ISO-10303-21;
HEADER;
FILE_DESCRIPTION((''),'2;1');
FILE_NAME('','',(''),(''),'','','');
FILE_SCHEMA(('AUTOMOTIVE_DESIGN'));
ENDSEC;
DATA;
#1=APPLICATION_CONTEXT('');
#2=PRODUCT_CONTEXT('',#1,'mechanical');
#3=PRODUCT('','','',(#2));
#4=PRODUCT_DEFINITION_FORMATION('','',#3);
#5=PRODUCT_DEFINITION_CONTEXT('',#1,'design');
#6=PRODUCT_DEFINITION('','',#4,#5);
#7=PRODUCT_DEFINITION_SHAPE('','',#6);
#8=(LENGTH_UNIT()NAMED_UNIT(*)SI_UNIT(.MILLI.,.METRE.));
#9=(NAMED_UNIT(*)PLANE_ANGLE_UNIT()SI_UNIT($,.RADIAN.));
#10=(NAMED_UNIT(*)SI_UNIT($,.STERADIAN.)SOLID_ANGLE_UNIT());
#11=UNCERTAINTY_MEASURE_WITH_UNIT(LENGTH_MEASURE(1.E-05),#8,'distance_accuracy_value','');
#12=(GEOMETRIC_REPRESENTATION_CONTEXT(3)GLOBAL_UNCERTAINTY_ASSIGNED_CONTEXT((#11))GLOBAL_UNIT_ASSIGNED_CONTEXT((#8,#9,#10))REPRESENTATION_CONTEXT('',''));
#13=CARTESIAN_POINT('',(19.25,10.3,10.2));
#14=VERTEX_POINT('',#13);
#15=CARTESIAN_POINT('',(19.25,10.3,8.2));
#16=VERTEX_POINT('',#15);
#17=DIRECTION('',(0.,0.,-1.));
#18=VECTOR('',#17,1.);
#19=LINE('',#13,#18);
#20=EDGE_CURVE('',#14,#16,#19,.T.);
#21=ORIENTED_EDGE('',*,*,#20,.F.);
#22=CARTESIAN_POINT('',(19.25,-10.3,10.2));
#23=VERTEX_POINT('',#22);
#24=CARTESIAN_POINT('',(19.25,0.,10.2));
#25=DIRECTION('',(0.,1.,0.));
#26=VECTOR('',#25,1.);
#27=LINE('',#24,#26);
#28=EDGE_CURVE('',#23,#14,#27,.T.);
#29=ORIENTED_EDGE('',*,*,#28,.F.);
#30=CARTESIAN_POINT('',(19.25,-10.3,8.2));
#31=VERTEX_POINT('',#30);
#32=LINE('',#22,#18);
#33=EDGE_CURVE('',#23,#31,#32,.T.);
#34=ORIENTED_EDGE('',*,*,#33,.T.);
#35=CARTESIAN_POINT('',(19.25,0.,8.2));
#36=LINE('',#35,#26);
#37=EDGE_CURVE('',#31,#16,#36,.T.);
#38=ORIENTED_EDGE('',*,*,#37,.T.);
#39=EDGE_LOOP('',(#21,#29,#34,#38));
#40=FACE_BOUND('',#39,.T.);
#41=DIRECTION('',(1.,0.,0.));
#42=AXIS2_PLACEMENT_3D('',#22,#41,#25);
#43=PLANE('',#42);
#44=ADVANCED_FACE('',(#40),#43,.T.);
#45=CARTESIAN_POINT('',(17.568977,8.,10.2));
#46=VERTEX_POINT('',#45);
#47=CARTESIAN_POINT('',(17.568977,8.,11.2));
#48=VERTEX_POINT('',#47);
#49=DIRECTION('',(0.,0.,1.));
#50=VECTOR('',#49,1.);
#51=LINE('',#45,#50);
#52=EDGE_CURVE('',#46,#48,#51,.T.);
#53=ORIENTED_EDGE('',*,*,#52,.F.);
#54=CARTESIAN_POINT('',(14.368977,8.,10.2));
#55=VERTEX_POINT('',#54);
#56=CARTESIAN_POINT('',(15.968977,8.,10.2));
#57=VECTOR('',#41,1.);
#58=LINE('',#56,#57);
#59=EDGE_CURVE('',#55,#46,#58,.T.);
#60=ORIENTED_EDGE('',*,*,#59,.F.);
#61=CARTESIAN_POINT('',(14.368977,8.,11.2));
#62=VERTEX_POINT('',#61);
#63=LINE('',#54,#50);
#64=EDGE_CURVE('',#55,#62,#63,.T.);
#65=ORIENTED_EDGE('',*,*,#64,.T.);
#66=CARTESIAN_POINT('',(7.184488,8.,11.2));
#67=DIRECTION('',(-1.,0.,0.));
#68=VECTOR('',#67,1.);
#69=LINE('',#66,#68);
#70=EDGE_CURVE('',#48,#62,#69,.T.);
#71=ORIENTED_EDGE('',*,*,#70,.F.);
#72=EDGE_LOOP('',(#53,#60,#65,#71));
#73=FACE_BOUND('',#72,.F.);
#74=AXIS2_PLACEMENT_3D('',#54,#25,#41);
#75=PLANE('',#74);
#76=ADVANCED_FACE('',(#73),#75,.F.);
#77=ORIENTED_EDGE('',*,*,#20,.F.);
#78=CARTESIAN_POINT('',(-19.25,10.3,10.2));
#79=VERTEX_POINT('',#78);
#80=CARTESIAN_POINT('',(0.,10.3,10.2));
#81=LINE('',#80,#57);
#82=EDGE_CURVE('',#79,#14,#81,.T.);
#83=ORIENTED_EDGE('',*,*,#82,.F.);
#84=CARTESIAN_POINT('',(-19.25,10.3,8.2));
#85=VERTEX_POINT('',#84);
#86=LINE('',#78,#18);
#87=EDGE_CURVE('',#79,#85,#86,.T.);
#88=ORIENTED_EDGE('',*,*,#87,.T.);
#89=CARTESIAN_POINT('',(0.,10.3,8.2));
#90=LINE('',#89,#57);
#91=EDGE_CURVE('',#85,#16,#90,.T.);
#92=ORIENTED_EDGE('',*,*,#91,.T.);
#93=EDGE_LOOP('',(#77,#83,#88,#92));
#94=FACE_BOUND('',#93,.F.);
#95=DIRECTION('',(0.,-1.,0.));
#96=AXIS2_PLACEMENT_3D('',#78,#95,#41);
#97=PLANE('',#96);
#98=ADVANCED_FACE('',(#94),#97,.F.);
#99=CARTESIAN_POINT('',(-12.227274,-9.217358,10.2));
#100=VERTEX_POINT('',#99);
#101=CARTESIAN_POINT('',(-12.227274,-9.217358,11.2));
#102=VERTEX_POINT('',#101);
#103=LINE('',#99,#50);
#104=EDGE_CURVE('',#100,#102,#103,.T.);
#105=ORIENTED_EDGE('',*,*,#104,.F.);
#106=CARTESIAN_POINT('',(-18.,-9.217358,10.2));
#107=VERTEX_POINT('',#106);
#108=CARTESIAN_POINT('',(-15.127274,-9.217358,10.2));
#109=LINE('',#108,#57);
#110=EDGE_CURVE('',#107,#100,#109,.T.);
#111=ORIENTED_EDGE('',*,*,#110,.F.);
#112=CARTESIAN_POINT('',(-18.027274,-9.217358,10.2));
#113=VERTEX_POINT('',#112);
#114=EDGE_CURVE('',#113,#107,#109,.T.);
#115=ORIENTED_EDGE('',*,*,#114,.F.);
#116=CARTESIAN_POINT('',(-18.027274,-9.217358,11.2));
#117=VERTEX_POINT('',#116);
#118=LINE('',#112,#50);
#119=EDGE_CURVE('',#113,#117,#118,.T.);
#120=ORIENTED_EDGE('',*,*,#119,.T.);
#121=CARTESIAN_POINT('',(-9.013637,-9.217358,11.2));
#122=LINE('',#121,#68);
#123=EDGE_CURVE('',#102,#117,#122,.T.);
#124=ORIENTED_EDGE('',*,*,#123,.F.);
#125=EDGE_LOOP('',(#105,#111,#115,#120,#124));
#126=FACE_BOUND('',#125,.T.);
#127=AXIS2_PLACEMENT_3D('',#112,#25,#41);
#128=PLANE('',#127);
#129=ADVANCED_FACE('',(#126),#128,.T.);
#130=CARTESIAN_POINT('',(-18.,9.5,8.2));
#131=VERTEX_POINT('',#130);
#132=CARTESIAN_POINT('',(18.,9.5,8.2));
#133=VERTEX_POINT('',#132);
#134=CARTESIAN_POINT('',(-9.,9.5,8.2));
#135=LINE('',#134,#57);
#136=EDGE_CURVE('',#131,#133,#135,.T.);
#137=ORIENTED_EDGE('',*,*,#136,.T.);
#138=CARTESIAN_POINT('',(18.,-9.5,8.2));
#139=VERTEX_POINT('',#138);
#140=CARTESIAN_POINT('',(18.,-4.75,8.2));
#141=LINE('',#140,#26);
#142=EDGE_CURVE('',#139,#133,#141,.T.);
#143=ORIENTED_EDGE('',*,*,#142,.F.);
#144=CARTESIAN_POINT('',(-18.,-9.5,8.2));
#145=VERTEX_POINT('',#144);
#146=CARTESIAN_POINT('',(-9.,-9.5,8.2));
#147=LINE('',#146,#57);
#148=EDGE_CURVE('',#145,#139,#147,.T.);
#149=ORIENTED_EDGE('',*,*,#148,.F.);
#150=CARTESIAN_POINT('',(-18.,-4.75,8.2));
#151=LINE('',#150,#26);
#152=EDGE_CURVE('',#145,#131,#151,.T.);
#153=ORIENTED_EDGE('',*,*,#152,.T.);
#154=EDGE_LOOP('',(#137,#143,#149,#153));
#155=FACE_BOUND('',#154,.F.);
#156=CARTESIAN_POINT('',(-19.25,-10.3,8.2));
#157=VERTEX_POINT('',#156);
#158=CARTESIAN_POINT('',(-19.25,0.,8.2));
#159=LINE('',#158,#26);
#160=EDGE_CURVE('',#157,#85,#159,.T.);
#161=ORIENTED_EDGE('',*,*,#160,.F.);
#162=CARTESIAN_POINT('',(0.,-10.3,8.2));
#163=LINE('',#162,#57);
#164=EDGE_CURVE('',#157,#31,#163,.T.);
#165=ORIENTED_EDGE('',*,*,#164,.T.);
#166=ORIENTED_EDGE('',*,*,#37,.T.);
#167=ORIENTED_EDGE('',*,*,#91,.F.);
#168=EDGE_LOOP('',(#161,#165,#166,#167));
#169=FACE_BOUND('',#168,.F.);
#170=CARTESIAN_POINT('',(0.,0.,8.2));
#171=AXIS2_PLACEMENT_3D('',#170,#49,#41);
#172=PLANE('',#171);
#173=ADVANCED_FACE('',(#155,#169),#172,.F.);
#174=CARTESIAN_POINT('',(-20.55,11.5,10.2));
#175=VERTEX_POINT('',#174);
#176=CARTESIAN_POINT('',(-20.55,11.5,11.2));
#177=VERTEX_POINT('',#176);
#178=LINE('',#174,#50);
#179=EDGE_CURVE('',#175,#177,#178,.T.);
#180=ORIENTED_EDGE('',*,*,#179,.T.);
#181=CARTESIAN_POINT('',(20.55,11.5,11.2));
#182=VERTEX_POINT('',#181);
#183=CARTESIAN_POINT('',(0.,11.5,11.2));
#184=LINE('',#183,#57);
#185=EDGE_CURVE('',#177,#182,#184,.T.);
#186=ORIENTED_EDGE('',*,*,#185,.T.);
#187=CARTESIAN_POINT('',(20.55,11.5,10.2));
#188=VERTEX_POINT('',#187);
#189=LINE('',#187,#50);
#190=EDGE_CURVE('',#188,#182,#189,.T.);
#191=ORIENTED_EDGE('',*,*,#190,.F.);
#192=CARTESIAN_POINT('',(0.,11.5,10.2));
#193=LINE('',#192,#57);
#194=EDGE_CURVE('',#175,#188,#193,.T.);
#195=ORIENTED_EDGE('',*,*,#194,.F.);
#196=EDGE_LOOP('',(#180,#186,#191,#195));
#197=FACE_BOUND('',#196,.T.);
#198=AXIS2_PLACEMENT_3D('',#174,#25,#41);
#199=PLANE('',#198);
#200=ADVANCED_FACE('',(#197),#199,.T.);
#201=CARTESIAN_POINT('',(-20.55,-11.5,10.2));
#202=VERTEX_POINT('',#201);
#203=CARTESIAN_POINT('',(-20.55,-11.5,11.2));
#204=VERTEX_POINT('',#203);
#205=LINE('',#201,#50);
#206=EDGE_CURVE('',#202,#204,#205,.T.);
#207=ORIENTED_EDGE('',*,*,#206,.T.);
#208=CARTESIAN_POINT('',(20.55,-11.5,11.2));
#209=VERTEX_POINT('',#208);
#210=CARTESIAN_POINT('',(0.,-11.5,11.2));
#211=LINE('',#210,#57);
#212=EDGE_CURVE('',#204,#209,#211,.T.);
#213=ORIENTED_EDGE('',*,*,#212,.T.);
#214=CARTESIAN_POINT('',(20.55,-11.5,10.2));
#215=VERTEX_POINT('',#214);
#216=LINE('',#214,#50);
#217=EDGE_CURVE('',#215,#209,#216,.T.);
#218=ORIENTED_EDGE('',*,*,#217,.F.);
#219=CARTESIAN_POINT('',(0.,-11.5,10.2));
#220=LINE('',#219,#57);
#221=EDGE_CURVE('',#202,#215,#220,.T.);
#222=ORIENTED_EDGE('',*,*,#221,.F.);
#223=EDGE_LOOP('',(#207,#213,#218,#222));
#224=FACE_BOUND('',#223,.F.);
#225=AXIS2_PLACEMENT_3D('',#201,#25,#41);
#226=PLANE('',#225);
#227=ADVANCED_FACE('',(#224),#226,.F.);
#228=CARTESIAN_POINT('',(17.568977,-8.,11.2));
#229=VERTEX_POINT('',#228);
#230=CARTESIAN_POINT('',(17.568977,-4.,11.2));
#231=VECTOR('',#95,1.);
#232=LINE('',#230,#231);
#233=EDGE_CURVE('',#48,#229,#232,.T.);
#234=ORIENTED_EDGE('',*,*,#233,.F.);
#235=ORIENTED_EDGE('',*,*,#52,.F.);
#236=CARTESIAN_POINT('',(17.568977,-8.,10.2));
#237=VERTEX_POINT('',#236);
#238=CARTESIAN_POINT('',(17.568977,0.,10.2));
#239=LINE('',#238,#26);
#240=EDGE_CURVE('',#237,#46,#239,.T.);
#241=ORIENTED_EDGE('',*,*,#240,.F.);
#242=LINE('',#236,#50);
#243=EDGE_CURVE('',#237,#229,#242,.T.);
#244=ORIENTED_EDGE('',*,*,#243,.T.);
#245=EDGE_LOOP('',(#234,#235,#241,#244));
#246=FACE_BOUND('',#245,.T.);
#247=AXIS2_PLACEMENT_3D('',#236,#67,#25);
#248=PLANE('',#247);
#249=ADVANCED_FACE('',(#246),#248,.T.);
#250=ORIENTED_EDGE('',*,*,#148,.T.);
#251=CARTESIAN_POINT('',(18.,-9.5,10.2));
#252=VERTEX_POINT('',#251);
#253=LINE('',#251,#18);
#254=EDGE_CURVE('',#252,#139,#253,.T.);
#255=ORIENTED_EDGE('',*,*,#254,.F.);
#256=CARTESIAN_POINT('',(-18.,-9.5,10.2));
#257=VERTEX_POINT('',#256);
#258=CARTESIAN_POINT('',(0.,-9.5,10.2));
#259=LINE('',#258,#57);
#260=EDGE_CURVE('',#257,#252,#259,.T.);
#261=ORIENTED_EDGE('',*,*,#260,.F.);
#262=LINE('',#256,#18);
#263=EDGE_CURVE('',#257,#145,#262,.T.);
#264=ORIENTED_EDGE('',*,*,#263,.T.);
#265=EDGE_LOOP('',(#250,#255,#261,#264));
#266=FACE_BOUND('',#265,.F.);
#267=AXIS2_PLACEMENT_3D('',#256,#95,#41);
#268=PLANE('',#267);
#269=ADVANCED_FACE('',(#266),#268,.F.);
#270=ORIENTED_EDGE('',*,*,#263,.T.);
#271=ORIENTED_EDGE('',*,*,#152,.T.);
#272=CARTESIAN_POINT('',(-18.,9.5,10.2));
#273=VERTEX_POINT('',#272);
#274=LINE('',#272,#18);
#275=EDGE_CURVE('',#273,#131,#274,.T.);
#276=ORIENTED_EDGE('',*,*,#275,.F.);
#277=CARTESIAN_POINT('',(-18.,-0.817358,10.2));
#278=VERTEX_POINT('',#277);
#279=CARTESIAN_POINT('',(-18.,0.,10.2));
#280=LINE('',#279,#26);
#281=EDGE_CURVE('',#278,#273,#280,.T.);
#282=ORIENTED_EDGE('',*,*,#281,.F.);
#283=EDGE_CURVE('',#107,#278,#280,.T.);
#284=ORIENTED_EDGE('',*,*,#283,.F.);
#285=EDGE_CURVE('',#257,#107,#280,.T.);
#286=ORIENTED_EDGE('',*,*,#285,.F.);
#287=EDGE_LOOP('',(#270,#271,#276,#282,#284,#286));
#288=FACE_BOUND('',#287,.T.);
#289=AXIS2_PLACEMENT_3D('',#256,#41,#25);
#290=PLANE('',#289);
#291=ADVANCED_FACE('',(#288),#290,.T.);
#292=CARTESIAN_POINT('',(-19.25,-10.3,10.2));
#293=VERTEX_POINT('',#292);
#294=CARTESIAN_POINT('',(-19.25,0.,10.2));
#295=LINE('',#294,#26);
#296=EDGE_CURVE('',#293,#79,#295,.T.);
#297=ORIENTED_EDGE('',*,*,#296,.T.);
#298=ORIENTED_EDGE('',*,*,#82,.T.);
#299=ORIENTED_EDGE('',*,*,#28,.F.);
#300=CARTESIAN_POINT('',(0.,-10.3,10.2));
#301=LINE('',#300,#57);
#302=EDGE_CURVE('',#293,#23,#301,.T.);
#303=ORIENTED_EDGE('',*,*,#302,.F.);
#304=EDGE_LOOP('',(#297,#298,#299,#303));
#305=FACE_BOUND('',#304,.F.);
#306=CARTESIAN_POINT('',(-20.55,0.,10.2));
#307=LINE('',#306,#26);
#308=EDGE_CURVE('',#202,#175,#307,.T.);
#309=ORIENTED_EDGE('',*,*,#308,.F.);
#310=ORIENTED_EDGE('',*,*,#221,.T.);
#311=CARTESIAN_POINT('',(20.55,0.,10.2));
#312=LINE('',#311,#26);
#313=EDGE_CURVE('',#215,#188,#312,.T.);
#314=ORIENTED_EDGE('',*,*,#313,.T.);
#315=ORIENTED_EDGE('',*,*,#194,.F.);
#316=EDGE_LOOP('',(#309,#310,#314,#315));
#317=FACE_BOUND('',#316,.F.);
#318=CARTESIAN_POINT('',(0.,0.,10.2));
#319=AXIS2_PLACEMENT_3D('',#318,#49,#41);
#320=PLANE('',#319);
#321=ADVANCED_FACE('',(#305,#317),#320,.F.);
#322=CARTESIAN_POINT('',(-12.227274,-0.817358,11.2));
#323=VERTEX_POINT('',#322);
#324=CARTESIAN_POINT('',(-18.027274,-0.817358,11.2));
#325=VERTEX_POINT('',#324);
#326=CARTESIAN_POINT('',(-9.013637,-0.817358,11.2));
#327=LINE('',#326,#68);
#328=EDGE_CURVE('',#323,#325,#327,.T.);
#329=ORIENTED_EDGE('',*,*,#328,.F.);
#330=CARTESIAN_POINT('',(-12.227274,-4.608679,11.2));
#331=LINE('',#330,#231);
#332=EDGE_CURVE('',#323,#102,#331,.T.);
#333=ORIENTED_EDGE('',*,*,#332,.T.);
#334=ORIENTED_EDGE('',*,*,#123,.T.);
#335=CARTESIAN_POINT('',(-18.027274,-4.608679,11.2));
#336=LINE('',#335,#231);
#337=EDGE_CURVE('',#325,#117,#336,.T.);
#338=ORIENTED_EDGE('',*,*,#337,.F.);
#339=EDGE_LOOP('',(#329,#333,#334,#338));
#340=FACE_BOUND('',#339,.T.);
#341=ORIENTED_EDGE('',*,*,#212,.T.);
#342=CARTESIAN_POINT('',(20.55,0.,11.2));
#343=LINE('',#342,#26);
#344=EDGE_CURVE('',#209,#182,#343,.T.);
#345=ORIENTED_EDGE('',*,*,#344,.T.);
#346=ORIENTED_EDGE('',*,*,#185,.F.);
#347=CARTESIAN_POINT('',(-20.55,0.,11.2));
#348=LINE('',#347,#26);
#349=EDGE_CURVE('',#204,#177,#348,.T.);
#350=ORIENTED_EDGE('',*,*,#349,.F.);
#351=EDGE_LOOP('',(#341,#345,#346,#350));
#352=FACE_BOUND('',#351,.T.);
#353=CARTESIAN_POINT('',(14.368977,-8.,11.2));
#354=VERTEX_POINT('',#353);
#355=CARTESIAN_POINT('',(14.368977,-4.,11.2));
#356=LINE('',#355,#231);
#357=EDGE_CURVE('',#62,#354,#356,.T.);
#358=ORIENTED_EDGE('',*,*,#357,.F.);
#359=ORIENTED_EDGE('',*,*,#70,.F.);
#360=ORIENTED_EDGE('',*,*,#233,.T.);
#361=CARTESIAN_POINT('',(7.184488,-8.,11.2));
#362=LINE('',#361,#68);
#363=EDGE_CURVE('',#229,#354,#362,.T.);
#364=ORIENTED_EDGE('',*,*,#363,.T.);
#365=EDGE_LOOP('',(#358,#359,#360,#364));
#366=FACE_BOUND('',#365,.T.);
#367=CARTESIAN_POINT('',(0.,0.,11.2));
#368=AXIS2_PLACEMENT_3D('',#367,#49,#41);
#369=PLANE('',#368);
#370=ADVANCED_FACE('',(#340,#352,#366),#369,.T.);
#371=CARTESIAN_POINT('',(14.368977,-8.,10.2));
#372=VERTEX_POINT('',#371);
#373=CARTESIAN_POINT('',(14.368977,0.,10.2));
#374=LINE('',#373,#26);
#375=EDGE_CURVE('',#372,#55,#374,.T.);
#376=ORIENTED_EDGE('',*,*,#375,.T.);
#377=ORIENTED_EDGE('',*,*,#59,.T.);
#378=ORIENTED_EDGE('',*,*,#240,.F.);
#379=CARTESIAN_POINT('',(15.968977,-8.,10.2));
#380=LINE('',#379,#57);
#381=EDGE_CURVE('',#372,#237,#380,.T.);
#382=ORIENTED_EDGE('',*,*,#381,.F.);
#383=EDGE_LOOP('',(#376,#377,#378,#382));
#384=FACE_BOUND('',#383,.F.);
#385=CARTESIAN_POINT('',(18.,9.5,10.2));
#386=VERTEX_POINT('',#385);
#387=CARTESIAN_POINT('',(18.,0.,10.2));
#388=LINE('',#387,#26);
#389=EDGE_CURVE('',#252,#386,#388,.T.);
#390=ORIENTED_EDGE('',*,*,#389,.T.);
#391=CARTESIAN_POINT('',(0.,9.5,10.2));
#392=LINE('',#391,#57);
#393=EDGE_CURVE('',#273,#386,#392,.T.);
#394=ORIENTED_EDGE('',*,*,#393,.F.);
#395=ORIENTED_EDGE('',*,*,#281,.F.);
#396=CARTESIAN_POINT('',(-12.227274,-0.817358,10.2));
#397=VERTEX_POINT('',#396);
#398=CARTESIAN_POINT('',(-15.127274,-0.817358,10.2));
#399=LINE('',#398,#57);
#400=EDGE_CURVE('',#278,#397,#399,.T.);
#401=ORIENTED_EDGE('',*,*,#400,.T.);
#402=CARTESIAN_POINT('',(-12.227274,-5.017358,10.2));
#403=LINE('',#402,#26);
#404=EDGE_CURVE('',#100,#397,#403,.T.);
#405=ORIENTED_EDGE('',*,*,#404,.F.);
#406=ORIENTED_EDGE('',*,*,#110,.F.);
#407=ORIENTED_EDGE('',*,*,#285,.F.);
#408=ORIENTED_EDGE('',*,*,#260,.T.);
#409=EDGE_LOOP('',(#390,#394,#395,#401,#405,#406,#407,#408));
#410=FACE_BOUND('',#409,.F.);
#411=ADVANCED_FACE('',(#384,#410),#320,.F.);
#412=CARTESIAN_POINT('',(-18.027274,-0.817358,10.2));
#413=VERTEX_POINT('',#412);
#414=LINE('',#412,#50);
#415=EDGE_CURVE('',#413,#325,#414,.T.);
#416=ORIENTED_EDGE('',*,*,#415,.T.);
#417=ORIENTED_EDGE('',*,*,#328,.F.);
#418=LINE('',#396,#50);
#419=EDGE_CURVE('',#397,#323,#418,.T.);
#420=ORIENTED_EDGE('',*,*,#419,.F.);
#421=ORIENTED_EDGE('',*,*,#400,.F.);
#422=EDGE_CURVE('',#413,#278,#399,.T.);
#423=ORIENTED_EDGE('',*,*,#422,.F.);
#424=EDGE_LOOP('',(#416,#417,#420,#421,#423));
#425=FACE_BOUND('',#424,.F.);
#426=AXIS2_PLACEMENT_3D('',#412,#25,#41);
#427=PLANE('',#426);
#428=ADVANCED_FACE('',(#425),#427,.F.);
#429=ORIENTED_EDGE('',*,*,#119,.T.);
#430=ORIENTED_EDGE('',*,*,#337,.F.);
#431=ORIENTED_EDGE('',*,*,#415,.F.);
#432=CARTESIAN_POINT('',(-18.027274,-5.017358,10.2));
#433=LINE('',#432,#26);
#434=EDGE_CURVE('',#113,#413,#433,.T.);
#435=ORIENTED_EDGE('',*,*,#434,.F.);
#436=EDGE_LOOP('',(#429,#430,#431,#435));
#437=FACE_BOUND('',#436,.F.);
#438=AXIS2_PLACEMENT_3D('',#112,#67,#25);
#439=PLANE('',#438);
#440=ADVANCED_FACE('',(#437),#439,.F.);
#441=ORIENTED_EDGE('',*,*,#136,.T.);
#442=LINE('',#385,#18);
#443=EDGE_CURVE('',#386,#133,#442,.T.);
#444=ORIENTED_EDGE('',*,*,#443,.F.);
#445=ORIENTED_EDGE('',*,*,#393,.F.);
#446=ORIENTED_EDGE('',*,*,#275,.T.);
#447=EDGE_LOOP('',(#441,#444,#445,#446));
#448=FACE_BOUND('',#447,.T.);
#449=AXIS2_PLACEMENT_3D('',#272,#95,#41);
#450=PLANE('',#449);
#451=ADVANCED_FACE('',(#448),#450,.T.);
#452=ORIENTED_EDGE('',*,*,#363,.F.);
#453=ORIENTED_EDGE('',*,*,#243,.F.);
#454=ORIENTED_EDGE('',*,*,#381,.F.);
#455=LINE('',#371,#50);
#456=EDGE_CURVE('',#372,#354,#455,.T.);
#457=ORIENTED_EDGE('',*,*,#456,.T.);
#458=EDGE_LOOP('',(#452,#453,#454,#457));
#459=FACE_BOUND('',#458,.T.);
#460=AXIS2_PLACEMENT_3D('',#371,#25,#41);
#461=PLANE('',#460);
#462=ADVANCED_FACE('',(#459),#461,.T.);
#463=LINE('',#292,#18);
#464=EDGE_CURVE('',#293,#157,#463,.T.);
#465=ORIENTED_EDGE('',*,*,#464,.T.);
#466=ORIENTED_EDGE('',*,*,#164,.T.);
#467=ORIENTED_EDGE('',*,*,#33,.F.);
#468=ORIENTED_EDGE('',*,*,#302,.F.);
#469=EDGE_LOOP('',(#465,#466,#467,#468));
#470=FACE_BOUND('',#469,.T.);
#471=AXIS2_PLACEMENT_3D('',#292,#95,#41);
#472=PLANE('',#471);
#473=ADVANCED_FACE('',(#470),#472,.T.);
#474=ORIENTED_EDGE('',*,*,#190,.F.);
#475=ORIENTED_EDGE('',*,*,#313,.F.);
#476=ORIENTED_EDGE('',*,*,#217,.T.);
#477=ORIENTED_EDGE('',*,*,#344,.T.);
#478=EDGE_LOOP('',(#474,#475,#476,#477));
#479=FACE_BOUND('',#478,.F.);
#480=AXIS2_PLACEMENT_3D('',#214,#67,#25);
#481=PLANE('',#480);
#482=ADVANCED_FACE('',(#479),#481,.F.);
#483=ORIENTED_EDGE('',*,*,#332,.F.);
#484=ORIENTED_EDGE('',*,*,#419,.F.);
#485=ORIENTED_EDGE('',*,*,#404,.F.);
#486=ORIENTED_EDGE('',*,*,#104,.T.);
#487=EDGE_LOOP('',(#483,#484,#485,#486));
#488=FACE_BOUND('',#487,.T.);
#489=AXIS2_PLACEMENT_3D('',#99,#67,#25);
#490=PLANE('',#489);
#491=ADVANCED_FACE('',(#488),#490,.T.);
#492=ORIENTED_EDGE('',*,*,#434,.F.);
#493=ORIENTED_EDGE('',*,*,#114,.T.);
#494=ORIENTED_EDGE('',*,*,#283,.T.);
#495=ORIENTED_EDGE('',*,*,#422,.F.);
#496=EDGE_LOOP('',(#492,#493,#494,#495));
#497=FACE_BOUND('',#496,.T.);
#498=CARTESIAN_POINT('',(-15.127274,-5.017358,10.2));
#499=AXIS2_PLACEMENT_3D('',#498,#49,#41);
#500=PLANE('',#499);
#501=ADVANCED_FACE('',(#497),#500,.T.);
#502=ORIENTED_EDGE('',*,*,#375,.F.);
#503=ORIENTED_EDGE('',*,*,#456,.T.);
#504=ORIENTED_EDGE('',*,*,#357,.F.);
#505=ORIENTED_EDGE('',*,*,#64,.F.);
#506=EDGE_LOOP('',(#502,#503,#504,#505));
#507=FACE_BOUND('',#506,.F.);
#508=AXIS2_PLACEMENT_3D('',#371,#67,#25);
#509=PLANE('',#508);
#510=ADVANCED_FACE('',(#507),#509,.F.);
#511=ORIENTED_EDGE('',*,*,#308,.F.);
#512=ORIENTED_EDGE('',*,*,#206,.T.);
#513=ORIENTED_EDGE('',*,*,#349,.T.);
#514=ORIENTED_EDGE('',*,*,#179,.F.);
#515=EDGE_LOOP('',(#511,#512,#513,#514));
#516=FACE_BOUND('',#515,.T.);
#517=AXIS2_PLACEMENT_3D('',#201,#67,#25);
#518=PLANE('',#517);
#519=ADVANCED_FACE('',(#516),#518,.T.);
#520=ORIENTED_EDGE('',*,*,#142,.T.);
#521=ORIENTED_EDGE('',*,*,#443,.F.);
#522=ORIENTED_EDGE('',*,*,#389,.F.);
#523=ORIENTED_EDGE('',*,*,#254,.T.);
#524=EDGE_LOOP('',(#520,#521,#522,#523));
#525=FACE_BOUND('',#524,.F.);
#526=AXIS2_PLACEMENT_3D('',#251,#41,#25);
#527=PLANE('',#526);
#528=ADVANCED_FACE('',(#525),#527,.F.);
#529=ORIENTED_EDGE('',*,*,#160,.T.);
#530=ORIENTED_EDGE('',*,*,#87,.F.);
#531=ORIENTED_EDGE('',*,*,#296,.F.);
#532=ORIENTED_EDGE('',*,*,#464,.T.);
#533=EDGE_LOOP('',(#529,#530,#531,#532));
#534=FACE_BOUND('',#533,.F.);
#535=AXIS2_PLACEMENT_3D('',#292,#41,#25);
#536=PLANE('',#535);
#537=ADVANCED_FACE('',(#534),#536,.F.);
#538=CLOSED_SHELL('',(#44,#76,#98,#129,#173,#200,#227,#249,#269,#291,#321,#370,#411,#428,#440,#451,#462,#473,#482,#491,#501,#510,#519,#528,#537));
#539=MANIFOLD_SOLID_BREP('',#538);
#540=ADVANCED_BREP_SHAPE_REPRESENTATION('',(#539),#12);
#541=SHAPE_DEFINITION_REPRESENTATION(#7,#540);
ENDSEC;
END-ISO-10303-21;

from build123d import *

# Parameters (mm, degrees)
SKETCH003_W     = 41.1
SKETCH003_H     = 23
PAD001_DEPTH    = 1
SKETCH004_W     = 38.5
SKETCH004_H     = 20.6
PAD002_DEPTH    = 2
SKETCH005_W     = 36
SKETCH005_H     = 19
POCKET002_DEPTH = 2.001
SKETCH006_W     = 3.2
SKETCH006_H     = 16
SKETCH006_W_2   = 5.8
SKETCH006_H_2   = 8.4
POCKET003_DEPTH = 1.001


with BuildPart() as part:
    # Sketch003 (on DatumPlane) → Pad001 (new body)
    with BuildSketch(Plane.XY.offset(10.2)):
        Rectangle(SKETCH003_W, SKETCH003_H)
    extrude(amount=PAD001_DEPTH)

    # Sketch004 (on DatumPlane) → Pad002 (join)
    with BuildSketch(Plane.XY.offset(10.2)):
        Rectangle(SKETCH004_W, SKETCH004_H)
    extrude(amount=-PAD002_DEPTH)

    # Sketch005 (on DatumPlane) → Pocket002 (cut, through all)
    with BuildSketch(Plane.XY.offset(10.2)):
        Rectangle(SKETCH005_W, SKETCH005_H)
    extrude(amount=-POCKET002_DEPTH, mode=Mode.SUBTRACT)

    # Sketch006 (on DatumPlane) → Pocket003 (cut, through all)
    with BuildSketch(Plane.XY.offset(10.2)):
        with Locations((15.968977, 0)):
            Rectangle(SKETCH006_W, SKETCH006_H)
        with Locations((-15.127274, -5.017358)):
            Rectangle(SKETCH006_W_2, SKETCH006_H_2)
    extrude(amount=POCKET003_DEPTH, mode=Mode.SUBTRACT)


solid = part.part
